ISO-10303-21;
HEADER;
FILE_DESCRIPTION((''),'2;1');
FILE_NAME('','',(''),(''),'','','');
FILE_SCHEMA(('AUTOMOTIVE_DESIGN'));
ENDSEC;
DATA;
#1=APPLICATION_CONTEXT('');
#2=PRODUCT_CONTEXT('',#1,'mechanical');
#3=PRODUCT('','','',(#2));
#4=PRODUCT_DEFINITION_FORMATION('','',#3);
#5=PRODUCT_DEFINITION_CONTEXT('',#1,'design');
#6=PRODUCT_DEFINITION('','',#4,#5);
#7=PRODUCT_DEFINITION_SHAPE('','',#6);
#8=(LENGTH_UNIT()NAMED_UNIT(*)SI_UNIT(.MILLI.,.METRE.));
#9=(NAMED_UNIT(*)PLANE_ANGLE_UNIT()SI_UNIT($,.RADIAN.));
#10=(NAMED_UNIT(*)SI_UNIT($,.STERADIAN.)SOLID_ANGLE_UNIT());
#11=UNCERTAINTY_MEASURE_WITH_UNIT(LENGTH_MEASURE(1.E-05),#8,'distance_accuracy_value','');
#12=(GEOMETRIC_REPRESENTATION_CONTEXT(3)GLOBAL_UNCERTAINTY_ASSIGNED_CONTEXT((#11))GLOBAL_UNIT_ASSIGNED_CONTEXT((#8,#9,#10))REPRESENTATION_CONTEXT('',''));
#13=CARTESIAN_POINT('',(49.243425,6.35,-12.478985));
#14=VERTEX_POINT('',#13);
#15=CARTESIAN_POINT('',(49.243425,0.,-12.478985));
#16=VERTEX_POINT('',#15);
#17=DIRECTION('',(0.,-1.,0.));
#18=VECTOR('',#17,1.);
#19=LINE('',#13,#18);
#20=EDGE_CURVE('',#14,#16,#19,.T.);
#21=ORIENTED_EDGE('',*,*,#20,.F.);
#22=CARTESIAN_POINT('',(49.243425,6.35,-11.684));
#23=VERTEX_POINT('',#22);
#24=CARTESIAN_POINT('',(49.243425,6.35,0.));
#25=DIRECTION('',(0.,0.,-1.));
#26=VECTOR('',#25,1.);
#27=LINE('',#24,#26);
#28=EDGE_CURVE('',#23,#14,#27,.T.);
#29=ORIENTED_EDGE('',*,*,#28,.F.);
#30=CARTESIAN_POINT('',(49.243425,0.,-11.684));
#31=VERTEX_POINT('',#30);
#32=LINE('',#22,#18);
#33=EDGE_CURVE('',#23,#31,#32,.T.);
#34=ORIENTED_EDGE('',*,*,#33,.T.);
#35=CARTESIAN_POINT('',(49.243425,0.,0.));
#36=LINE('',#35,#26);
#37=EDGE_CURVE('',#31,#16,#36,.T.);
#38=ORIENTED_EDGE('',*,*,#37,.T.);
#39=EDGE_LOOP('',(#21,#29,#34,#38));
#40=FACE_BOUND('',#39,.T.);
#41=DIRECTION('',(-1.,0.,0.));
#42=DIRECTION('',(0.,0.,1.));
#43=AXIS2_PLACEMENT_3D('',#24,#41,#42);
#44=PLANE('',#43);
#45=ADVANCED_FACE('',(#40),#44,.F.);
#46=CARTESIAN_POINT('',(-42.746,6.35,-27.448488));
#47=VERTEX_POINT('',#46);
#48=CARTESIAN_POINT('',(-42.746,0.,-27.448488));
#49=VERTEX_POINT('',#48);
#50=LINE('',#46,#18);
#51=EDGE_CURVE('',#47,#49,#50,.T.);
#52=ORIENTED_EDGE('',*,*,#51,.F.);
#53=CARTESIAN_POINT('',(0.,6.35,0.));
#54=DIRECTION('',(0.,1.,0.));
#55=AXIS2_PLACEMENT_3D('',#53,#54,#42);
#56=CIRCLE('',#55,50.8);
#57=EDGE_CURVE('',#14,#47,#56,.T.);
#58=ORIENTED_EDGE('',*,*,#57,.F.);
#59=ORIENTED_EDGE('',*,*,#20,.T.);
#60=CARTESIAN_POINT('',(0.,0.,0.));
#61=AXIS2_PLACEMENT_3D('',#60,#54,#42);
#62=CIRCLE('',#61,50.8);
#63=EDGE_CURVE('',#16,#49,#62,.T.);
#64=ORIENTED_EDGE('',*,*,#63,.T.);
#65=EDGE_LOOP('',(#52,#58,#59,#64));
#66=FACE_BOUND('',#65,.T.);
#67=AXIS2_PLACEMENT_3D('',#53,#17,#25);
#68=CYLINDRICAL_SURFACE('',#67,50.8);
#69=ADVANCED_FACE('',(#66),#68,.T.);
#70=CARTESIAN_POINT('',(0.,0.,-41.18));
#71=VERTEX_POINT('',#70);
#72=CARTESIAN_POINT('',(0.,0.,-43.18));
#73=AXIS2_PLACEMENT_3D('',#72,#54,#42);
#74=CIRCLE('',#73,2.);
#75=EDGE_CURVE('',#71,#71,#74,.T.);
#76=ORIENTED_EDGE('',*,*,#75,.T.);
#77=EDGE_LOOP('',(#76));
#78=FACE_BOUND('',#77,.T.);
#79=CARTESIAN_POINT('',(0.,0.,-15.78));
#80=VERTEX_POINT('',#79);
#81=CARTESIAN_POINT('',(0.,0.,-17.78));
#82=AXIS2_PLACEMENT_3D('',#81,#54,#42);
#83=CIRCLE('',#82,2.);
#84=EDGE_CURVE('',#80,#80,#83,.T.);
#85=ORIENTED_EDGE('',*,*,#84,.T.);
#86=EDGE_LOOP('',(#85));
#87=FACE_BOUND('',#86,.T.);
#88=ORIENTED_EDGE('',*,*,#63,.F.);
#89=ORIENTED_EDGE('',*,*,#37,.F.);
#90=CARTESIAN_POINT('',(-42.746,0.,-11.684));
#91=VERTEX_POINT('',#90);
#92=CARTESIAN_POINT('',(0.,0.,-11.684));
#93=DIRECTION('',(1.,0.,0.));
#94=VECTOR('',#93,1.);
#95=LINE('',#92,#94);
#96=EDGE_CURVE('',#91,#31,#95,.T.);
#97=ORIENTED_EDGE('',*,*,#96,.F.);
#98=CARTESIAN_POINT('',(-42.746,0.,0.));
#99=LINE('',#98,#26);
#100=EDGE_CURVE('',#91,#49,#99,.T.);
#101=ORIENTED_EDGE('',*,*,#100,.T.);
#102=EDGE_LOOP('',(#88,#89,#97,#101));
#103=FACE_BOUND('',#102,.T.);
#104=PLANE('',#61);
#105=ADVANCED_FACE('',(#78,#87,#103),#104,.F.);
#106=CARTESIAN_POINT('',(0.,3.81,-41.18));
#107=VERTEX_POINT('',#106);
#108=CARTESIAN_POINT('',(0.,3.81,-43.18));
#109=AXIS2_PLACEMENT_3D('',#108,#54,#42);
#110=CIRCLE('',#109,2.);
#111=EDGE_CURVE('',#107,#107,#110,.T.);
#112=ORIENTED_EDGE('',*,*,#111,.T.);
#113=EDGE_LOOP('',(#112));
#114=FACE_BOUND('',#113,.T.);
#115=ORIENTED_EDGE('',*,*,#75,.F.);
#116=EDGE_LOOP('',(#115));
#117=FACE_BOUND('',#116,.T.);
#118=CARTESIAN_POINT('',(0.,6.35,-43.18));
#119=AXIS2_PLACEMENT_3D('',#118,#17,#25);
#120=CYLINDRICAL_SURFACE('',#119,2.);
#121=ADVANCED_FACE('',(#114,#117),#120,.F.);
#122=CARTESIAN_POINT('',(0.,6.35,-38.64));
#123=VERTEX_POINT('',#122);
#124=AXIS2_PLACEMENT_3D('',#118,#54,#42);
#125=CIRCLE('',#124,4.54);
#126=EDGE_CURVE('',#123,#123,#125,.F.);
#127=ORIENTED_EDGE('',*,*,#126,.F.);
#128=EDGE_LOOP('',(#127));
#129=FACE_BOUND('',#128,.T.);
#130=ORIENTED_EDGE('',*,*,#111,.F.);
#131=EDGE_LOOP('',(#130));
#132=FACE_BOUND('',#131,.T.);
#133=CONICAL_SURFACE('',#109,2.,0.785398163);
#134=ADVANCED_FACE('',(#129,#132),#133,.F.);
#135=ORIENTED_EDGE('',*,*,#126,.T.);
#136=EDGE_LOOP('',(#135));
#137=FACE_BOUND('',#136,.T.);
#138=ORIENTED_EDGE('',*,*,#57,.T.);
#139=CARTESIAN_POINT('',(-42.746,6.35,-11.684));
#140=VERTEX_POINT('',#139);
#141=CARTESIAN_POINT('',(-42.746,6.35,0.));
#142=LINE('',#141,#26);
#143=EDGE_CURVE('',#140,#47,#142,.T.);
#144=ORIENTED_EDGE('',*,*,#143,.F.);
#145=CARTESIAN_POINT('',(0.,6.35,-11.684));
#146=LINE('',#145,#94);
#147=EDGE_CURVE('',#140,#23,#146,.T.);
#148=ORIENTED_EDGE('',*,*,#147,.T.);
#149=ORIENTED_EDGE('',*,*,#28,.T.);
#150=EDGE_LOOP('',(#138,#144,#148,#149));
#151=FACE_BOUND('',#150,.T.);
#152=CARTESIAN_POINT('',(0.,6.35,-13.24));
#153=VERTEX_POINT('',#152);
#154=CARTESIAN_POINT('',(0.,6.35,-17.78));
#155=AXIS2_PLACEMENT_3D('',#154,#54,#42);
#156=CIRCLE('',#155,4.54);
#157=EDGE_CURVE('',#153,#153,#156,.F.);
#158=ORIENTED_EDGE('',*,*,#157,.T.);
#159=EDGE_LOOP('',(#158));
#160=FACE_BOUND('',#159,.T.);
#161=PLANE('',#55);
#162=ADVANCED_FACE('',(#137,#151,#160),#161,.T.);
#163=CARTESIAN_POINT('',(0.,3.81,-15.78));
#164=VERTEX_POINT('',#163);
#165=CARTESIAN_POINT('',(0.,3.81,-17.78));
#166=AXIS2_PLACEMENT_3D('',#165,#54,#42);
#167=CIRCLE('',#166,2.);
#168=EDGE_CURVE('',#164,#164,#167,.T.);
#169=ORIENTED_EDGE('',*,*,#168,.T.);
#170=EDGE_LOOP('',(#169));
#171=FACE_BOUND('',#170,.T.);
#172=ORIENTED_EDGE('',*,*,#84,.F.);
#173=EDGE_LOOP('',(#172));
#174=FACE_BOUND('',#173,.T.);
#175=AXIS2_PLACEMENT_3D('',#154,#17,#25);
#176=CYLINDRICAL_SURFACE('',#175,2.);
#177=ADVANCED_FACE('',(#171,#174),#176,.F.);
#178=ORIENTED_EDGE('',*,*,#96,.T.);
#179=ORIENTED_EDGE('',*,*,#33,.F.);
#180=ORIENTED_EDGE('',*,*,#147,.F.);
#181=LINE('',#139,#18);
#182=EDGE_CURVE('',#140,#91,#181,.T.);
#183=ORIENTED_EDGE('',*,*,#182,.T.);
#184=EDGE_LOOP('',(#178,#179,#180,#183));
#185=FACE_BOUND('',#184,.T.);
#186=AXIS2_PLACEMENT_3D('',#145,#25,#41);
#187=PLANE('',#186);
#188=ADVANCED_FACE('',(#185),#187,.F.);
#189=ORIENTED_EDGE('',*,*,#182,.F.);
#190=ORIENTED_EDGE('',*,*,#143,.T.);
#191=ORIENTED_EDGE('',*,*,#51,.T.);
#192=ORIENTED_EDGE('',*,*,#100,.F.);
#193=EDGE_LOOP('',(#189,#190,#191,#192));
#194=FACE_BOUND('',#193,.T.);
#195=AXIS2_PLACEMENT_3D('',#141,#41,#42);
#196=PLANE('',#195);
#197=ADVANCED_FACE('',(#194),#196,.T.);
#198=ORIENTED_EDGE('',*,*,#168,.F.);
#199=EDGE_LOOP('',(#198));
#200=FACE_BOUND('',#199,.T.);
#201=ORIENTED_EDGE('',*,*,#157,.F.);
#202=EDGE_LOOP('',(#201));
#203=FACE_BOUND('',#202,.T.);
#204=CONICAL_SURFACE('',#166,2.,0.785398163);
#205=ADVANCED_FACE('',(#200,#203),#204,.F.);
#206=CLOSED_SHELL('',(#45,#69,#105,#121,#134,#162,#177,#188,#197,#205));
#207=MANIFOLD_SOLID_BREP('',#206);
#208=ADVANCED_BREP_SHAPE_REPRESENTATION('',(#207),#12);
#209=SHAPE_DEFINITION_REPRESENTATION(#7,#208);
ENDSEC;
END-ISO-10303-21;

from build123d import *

# Parameters (mm, degrees)
SKETCH1_R           = 2
BOSS_EXTRUDE1_DEPTH = 6.35
CHAMFER1_SIZE       = 2.54


with BuildPart() as part:
    # Sketch1 → Boss-Extrude1 (new body)
    with BuildSketch(Plane(origin=(0, 0, 0), x_dir=(1, 0, 0), z_dir=(0, 1, 0))):
        with BuildLine():
            Line((-42.746, 11.684), (47.586884748, 11.684))
            Line((47.586884748, 11.684), (47.586884748, 17.78))
            ThreePointArc((47.586884748, 17.78), (31.011055518, 40.236232871), (5.073646026, 50.546))
            Line((5.073646026, 50.546), (-5.073646026, 50.546))
            ThreePointArc((-5.073646026, 50.546), (-26.552841725, 43.308043091), (-42.746, 27.448487827))
            Line((-42.746, 27.448487827), (-42.746, 11.684))
        make_face()
        with Locations((0, 17.78)):
            Circle(SKETCH1_R, mode=Mode.SUBTRACT)
        with Locations((0, 43.18)):
            Circle(SKETCH1_R, mode=Mode.SUBTRACT)
        with BuildLine():
            Line((47.586884748, 17.78), (47.586884748, 11.684))
            Line((47.586884748, 11.684), (49.243425186, 11.684))
            Line((49.243425186, 11.684), (49.243425186, 12.478985375))
            ThreePointArc((49.243425186, 12.478985375), (48.487652237, 15.15214772), (47.586884748, 17.78))
        make_face()
        with BuildLine():
            Line((-5.073646026, 50.546), (5.073646026, 50.546))
            ThreePointArc((5.073646026, 50.546), (2.539999948, 50.736460265), (-1.05e-07, 50.8))
            ThreePointArc((-1.05e-07, 50.8), (-2.540000052, 50.73646026), (-5.073646026, 50.546))
        make_face()
    extrude(amount=BOSS_EXTRUDE1_DEPTH)

    # Chamfer1
    chamfer1_edges = [part.edges().sort_by_distance(p)[0] for p in [
        (-2, 6.35, -17.78),
        (-2, 6.35, -43.18),
    ]]
    chamfer(chamfer1_edges, length=CHAMFER1_SIZE)


solid = part.part
